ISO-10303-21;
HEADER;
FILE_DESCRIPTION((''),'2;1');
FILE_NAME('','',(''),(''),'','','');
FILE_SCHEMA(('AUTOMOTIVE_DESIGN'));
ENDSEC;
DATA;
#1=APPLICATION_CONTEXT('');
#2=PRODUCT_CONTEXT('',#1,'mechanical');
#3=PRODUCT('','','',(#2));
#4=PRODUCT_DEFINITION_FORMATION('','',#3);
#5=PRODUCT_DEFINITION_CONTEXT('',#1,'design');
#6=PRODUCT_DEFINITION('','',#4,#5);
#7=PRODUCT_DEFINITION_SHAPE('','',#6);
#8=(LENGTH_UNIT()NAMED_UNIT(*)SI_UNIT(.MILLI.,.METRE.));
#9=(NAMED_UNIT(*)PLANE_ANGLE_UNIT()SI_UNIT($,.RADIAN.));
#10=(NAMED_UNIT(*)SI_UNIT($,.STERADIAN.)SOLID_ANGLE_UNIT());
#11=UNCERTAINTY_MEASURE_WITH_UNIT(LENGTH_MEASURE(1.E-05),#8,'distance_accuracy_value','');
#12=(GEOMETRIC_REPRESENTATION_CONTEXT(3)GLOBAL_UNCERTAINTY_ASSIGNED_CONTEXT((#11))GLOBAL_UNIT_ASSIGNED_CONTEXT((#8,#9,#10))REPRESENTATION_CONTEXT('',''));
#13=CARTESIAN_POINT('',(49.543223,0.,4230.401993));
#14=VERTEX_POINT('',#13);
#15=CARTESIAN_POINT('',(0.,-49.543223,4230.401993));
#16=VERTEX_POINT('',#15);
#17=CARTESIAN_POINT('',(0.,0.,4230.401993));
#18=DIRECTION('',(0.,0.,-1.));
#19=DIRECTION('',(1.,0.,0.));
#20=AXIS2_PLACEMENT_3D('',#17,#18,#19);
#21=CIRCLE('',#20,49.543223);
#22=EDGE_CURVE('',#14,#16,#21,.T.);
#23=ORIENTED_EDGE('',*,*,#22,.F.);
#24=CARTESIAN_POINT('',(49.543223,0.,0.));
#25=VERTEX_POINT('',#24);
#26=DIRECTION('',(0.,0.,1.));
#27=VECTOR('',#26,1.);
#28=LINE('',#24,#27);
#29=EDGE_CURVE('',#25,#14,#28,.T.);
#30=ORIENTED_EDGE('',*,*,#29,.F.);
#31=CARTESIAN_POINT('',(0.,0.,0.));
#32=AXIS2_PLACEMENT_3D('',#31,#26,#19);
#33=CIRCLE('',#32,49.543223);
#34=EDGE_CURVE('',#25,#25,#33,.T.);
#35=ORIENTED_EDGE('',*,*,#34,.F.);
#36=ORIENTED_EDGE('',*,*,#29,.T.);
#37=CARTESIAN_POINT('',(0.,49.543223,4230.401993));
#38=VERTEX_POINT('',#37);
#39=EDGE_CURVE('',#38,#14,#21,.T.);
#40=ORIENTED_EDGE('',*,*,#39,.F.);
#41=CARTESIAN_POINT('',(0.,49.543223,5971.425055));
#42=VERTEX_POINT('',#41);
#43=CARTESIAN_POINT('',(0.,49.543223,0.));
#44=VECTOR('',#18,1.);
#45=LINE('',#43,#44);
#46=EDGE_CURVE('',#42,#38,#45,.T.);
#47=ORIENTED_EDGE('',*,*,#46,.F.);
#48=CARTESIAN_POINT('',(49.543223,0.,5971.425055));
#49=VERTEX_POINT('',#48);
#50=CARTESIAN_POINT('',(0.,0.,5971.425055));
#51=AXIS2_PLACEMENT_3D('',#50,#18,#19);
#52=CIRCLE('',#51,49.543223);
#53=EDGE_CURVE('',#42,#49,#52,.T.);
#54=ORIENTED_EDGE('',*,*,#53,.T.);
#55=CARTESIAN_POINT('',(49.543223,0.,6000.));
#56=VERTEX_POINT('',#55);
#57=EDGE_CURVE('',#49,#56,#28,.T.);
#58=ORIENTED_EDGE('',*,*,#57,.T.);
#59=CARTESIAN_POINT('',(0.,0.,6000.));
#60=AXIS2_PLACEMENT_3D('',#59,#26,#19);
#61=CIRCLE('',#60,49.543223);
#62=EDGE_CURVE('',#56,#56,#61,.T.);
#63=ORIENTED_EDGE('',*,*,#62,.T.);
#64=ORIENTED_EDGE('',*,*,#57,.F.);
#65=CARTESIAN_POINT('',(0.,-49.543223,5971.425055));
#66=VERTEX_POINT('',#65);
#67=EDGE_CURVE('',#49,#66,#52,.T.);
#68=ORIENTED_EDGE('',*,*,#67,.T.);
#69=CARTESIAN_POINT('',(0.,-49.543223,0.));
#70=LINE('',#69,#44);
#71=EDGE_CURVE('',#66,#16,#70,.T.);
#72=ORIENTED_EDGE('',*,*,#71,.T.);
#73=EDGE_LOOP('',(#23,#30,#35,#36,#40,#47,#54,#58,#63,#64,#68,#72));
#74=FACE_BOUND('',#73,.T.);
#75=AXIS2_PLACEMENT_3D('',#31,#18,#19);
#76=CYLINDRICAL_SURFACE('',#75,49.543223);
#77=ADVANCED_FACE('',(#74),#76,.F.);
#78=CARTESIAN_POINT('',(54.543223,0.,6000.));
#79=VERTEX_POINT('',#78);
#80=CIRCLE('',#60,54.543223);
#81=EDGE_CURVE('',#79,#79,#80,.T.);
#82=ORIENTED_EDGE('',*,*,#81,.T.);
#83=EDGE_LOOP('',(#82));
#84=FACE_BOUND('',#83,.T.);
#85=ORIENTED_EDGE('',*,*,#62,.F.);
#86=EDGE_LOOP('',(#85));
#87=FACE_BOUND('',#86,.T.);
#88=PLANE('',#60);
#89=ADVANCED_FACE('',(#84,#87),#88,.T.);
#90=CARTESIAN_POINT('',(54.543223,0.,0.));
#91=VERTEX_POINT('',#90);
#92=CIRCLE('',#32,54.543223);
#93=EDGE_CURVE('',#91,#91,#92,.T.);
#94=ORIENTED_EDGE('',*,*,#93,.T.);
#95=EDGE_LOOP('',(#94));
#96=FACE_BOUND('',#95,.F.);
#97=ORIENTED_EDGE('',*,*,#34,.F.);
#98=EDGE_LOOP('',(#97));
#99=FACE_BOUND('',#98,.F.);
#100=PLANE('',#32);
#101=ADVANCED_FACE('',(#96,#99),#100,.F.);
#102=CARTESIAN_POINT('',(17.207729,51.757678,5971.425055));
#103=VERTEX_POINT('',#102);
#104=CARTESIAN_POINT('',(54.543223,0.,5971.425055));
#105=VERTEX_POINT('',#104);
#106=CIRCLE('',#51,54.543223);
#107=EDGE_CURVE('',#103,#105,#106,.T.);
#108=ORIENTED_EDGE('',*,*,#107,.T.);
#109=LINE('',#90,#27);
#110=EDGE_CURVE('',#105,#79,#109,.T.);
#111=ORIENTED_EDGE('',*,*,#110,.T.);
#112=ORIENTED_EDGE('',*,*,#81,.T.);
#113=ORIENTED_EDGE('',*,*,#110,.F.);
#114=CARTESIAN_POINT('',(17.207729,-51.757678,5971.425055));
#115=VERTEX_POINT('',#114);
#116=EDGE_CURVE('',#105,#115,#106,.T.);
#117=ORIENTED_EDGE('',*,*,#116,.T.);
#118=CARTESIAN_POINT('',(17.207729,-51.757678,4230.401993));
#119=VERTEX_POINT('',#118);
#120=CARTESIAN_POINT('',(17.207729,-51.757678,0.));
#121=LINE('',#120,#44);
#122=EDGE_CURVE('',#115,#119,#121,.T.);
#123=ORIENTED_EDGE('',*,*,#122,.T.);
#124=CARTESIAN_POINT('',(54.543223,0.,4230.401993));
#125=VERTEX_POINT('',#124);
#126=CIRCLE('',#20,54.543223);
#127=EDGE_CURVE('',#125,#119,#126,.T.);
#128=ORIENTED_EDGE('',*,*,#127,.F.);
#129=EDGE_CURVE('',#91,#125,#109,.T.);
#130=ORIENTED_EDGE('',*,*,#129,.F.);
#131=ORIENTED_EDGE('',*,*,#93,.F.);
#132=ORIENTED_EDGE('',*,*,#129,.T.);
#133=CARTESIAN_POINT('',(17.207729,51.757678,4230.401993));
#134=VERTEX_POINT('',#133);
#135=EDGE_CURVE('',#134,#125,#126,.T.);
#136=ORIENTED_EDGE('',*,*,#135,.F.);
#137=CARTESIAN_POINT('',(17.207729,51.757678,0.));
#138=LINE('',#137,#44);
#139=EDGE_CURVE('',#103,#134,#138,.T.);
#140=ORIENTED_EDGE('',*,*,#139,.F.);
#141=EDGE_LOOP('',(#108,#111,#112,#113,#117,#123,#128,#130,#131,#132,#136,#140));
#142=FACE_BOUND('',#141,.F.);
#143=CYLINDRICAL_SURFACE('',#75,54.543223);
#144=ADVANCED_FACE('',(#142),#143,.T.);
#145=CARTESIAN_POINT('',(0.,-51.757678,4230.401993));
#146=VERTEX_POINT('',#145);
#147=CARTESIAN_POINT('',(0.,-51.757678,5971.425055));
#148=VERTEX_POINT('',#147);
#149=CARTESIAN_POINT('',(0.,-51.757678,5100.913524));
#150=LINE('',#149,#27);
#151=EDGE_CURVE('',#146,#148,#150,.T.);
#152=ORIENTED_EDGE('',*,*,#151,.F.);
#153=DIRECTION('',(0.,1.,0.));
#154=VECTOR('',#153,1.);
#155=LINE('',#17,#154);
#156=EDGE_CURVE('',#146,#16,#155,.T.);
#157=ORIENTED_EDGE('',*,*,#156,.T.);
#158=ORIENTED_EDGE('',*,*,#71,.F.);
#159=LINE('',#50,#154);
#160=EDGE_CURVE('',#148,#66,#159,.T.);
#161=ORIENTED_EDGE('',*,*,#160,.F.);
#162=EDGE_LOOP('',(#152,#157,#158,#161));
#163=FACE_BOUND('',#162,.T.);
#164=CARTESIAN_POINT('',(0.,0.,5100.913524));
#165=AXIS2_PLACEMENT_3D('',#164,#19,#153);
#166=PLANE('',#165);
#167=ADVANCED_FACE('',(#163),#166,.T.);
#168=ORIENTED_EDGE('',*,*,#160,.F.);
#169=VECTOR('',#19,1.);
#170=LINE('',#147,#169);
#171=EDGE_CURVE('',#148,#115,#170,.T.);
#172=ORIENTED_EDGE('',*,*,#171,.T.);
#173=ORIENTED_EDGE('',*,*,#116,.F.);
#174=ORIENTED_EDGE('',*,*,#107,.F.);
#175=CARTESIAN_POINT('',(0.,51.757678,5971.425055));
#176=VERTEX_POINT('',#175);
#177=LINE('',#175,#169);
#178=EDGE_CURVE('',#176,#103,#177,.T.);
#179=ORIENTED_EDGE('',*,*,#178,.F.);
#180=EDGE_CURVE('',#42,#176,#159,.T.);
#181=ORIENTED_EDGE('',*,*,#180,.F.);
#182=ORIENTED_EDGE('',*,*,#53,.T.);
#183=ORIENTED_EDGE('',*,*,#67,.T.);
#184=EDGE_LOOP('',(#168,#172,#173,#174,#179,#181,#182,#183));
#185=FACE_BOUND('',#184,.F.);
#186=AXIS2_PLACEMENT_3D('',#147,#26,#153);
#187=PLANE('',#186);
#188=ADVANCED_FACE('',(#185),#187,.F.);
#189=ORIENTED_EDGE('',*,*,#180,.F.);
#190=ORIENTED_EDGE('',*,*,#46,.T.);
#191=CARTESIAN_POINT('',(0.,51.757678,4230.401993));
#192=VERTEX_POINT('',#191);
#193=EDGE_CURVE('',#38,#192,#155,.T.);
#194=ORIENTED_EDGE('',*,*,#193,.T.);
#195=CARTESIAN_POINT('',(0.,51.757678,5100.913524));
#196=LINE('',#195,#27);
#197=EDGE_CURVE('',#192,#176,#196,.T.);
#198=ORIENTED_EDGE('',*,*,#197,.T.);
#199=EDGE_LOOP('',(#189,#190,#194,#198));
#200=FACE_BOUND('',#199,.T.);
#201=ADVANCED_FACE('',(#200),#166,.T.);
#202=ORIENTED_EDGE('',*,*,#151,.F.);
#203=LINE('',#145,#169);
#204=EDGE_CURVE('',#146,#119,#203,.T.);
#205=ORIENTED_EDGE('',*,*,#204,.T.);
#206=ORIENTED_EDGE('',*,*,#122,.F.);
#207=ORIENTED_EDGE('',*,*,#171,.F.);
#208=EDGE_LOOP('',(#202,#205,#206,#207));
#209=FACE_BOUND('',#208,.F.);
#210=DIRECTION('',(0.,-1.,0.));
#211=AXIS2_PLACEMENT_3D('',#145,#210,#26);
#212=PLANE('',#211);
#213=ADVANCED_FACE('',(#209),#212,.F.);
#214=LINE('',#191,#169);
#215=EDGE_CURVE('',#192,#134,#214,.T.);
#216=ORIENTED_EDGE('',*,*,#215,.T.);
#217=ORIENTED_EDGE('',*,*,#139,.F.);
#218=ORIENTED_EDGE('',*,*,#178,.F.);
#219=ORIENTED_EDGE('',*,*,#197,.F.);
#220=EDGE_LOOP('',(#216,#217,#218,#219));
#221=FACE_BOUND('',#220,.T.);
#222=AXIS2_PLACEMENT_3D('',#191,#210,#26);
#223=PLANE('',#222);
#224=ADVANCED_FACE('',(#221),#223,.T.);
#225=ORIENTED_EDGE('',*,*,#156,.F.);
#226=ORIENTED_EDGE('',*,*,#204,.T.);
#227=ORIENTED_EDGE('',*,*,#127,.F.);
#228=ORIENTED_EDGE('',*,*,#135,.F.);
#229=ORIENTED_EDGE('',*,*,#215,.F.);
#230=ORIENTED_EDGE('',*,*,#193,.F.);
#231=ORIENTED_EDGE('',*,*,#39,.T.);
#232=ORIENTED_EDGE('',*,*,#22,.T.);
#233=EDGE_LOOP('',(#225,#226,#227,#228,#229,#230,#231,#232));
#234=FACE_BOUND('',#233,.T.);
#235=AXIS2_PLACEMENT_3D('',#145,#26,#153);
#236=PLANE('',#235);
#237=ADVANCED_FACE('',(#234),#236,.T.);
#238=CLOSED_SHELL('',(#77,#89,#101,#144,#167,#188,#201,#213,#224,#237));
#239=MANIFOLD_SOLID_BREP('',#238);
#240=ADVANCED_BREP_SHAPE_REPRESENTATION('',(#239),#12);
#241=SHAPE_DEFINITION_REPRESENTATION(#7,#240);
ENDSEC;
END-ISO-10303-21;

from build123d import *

# Parameters (mm, degrees)
F0_R     = 54.543223
F1_DEPTH = 6000
F2_T     = -5
F3_W     = 103.515356
F3_H     = 1741.023063
F4_DEPTH = 772.16


with BuildPart() as f1:
    # F0 (on Top) → F1 (new body)
    with BuildSketch(Plane.XY):
        Circle(F0_R)
    extrude(amount=F1_DEPTH)

    # F2
    f2_openings = [f1.faces().sort_by_distance(p)[0] for p in [
        (0, 0, 6000),
        (0, 0, 0),
    ]]
    offset(amount=F2_T, openings=f2_openings)

    # F3 (on Right) → F4 (cut)
    with BuildSketch(Plane.YZ):
        with Locations((0, 5100.913524)):
            Rectangle(F3_W, F3_H)
    extrude(amount=F4_DEPTH, mode=Mode.SUBTRACT)


solid = f1.part
